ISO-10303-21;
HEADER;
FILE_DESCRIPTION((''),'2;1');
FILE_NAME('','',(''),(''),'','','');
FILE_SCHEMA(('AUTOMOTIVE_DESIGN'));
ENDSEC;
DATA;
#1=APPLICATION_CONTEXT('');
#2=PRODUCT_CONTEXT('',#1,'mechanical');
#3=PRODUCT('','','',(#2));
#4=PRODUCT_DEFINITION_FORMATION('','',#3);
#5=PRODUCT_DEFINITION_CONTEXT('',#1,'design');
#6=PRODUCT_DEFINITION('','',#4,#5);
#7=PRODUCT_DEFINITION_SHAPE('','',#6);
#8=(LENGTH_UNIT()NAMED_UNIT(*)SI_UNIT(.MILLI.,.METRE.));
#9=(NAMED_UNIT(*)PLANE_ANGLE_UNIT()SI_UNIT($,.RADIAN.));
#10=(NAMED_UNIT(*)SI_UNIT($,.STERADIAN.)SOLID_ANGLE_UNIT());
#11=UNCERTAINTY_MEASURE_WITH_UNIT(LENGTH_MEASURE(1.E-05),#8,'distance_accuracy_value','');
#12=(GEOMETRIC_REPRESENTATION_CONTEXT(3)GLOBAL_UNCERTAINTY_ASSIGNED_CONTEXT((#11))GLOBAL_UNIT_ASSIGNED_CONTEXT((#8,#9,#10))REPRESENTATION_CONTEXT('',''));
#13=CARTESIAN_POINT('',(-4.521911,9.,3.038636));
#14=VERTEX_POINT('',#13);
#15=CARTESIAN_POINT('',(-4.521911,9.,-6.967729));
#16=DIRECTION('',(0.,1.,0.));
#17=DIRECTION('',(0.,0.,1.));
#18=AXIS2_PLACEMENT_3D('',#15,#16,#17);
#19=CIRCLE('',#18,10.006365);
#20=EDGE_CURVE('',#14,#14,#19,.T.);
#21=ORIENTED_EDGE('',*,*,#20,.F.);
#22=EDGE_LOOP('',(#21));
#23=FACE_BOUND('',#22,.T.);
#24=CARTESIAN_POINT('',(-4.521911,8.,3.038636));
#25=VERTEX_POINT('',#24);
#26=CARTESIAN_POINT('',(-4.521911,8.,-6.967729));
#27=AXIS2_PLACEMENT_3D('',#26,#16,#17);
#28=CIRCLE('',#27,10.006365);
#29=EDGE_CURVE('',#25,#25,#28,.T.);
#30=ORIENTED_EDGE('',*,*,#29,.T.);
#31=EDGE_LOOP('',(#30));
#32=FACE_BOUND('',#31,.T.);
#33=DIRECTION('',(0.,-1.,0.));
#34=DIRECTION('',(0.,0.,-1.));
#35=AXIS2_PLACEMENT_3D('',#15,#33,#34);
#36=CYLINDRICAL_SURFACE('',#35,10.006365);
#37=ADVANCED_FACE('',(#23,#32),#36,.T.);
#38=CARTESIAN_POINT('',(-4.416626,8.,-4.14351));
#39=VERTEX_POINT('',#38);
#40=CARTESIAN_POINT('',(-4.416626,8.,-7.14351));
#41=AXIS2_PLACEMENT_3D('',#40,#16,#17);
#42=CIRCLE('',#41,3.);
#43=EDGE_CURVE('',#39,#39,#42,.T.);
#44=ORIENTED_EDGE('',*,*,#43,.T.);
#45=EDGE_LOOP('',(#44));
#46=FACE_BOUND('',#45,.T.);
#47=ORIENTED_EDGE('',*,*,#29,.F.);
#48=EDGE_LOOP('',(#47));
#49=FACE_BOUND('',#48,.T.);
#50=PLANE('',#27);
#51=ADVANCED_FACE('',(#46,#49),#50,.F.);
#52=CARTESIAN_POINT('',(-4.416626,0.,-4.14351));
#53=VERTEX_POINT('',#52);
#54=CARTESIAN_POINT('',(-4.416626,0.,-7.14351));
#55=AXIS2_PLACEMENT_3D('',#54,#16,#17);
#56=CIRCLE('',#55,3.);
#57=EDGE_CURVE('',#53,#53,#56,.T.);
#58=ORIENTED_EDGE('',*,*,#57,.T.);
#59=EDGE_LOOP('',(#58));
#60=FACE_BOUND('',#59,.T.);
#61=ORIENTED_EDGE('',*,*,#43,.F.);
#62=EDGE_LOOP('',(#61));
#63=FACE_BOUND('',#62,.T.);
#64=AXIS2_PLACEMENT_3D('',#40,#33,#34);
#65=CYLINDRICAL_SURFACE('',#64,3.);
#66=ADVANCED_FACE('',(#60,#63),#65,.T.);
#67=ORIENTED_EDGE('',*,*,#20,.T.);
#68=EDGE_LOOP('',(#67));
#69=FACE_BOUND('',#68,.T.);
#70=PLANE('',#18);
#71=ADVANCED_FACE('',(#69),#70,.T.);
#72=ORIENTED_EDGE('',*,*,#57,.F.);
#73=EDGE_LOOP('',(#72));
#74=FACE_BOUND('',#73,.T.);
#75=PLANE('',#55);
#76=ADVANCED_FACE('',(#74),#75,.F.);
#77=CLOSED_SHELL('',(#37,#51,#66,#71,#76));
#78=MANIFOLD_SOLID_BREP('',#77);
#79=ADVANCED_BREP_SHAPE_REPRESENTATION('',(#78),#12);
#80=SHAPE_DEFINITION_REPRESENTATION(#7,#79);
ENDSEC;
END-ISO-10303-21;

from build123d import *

# Parameters (mm, degrees)
SKETCH1_R           = 3
BOSS_EXTRUDE1_DEPTH = 8
SKETCH2_R           = 10.006365311
BOSS_EXTRUDE2_DEPTH = 1


with BuildPart() as part:
    # Sketch1 → Boss-Extrude1 (new body)
    with BuildSketch(Plane(origin=(0, 0, 0), x_dir=(1, 0, 0), z_dir=(0, 1, 0))):
        with Locations(Location((-4.416626144, 7.143510097, 0), (0, 0, 270))):
            Circle(SKETCH1_R)
    extrude(amount=BOSS_EXTRUDE1_DEPTH)

    # Sketch2 → Boss-Extrude2 (add)
    with BuildSketch(Plane(origin=(0, 8, 0), x_dir=(1, 0, 0), z_dir=(0, 1, 0))):
        with Locations(Location((-4.521911095, 6.9677292, 0), (0, 0, 270))):
            Circle(SKETCH2_R)
    extrude(amount=BOSS_EXTRUDE2_DEPTH)


solid = part.part
